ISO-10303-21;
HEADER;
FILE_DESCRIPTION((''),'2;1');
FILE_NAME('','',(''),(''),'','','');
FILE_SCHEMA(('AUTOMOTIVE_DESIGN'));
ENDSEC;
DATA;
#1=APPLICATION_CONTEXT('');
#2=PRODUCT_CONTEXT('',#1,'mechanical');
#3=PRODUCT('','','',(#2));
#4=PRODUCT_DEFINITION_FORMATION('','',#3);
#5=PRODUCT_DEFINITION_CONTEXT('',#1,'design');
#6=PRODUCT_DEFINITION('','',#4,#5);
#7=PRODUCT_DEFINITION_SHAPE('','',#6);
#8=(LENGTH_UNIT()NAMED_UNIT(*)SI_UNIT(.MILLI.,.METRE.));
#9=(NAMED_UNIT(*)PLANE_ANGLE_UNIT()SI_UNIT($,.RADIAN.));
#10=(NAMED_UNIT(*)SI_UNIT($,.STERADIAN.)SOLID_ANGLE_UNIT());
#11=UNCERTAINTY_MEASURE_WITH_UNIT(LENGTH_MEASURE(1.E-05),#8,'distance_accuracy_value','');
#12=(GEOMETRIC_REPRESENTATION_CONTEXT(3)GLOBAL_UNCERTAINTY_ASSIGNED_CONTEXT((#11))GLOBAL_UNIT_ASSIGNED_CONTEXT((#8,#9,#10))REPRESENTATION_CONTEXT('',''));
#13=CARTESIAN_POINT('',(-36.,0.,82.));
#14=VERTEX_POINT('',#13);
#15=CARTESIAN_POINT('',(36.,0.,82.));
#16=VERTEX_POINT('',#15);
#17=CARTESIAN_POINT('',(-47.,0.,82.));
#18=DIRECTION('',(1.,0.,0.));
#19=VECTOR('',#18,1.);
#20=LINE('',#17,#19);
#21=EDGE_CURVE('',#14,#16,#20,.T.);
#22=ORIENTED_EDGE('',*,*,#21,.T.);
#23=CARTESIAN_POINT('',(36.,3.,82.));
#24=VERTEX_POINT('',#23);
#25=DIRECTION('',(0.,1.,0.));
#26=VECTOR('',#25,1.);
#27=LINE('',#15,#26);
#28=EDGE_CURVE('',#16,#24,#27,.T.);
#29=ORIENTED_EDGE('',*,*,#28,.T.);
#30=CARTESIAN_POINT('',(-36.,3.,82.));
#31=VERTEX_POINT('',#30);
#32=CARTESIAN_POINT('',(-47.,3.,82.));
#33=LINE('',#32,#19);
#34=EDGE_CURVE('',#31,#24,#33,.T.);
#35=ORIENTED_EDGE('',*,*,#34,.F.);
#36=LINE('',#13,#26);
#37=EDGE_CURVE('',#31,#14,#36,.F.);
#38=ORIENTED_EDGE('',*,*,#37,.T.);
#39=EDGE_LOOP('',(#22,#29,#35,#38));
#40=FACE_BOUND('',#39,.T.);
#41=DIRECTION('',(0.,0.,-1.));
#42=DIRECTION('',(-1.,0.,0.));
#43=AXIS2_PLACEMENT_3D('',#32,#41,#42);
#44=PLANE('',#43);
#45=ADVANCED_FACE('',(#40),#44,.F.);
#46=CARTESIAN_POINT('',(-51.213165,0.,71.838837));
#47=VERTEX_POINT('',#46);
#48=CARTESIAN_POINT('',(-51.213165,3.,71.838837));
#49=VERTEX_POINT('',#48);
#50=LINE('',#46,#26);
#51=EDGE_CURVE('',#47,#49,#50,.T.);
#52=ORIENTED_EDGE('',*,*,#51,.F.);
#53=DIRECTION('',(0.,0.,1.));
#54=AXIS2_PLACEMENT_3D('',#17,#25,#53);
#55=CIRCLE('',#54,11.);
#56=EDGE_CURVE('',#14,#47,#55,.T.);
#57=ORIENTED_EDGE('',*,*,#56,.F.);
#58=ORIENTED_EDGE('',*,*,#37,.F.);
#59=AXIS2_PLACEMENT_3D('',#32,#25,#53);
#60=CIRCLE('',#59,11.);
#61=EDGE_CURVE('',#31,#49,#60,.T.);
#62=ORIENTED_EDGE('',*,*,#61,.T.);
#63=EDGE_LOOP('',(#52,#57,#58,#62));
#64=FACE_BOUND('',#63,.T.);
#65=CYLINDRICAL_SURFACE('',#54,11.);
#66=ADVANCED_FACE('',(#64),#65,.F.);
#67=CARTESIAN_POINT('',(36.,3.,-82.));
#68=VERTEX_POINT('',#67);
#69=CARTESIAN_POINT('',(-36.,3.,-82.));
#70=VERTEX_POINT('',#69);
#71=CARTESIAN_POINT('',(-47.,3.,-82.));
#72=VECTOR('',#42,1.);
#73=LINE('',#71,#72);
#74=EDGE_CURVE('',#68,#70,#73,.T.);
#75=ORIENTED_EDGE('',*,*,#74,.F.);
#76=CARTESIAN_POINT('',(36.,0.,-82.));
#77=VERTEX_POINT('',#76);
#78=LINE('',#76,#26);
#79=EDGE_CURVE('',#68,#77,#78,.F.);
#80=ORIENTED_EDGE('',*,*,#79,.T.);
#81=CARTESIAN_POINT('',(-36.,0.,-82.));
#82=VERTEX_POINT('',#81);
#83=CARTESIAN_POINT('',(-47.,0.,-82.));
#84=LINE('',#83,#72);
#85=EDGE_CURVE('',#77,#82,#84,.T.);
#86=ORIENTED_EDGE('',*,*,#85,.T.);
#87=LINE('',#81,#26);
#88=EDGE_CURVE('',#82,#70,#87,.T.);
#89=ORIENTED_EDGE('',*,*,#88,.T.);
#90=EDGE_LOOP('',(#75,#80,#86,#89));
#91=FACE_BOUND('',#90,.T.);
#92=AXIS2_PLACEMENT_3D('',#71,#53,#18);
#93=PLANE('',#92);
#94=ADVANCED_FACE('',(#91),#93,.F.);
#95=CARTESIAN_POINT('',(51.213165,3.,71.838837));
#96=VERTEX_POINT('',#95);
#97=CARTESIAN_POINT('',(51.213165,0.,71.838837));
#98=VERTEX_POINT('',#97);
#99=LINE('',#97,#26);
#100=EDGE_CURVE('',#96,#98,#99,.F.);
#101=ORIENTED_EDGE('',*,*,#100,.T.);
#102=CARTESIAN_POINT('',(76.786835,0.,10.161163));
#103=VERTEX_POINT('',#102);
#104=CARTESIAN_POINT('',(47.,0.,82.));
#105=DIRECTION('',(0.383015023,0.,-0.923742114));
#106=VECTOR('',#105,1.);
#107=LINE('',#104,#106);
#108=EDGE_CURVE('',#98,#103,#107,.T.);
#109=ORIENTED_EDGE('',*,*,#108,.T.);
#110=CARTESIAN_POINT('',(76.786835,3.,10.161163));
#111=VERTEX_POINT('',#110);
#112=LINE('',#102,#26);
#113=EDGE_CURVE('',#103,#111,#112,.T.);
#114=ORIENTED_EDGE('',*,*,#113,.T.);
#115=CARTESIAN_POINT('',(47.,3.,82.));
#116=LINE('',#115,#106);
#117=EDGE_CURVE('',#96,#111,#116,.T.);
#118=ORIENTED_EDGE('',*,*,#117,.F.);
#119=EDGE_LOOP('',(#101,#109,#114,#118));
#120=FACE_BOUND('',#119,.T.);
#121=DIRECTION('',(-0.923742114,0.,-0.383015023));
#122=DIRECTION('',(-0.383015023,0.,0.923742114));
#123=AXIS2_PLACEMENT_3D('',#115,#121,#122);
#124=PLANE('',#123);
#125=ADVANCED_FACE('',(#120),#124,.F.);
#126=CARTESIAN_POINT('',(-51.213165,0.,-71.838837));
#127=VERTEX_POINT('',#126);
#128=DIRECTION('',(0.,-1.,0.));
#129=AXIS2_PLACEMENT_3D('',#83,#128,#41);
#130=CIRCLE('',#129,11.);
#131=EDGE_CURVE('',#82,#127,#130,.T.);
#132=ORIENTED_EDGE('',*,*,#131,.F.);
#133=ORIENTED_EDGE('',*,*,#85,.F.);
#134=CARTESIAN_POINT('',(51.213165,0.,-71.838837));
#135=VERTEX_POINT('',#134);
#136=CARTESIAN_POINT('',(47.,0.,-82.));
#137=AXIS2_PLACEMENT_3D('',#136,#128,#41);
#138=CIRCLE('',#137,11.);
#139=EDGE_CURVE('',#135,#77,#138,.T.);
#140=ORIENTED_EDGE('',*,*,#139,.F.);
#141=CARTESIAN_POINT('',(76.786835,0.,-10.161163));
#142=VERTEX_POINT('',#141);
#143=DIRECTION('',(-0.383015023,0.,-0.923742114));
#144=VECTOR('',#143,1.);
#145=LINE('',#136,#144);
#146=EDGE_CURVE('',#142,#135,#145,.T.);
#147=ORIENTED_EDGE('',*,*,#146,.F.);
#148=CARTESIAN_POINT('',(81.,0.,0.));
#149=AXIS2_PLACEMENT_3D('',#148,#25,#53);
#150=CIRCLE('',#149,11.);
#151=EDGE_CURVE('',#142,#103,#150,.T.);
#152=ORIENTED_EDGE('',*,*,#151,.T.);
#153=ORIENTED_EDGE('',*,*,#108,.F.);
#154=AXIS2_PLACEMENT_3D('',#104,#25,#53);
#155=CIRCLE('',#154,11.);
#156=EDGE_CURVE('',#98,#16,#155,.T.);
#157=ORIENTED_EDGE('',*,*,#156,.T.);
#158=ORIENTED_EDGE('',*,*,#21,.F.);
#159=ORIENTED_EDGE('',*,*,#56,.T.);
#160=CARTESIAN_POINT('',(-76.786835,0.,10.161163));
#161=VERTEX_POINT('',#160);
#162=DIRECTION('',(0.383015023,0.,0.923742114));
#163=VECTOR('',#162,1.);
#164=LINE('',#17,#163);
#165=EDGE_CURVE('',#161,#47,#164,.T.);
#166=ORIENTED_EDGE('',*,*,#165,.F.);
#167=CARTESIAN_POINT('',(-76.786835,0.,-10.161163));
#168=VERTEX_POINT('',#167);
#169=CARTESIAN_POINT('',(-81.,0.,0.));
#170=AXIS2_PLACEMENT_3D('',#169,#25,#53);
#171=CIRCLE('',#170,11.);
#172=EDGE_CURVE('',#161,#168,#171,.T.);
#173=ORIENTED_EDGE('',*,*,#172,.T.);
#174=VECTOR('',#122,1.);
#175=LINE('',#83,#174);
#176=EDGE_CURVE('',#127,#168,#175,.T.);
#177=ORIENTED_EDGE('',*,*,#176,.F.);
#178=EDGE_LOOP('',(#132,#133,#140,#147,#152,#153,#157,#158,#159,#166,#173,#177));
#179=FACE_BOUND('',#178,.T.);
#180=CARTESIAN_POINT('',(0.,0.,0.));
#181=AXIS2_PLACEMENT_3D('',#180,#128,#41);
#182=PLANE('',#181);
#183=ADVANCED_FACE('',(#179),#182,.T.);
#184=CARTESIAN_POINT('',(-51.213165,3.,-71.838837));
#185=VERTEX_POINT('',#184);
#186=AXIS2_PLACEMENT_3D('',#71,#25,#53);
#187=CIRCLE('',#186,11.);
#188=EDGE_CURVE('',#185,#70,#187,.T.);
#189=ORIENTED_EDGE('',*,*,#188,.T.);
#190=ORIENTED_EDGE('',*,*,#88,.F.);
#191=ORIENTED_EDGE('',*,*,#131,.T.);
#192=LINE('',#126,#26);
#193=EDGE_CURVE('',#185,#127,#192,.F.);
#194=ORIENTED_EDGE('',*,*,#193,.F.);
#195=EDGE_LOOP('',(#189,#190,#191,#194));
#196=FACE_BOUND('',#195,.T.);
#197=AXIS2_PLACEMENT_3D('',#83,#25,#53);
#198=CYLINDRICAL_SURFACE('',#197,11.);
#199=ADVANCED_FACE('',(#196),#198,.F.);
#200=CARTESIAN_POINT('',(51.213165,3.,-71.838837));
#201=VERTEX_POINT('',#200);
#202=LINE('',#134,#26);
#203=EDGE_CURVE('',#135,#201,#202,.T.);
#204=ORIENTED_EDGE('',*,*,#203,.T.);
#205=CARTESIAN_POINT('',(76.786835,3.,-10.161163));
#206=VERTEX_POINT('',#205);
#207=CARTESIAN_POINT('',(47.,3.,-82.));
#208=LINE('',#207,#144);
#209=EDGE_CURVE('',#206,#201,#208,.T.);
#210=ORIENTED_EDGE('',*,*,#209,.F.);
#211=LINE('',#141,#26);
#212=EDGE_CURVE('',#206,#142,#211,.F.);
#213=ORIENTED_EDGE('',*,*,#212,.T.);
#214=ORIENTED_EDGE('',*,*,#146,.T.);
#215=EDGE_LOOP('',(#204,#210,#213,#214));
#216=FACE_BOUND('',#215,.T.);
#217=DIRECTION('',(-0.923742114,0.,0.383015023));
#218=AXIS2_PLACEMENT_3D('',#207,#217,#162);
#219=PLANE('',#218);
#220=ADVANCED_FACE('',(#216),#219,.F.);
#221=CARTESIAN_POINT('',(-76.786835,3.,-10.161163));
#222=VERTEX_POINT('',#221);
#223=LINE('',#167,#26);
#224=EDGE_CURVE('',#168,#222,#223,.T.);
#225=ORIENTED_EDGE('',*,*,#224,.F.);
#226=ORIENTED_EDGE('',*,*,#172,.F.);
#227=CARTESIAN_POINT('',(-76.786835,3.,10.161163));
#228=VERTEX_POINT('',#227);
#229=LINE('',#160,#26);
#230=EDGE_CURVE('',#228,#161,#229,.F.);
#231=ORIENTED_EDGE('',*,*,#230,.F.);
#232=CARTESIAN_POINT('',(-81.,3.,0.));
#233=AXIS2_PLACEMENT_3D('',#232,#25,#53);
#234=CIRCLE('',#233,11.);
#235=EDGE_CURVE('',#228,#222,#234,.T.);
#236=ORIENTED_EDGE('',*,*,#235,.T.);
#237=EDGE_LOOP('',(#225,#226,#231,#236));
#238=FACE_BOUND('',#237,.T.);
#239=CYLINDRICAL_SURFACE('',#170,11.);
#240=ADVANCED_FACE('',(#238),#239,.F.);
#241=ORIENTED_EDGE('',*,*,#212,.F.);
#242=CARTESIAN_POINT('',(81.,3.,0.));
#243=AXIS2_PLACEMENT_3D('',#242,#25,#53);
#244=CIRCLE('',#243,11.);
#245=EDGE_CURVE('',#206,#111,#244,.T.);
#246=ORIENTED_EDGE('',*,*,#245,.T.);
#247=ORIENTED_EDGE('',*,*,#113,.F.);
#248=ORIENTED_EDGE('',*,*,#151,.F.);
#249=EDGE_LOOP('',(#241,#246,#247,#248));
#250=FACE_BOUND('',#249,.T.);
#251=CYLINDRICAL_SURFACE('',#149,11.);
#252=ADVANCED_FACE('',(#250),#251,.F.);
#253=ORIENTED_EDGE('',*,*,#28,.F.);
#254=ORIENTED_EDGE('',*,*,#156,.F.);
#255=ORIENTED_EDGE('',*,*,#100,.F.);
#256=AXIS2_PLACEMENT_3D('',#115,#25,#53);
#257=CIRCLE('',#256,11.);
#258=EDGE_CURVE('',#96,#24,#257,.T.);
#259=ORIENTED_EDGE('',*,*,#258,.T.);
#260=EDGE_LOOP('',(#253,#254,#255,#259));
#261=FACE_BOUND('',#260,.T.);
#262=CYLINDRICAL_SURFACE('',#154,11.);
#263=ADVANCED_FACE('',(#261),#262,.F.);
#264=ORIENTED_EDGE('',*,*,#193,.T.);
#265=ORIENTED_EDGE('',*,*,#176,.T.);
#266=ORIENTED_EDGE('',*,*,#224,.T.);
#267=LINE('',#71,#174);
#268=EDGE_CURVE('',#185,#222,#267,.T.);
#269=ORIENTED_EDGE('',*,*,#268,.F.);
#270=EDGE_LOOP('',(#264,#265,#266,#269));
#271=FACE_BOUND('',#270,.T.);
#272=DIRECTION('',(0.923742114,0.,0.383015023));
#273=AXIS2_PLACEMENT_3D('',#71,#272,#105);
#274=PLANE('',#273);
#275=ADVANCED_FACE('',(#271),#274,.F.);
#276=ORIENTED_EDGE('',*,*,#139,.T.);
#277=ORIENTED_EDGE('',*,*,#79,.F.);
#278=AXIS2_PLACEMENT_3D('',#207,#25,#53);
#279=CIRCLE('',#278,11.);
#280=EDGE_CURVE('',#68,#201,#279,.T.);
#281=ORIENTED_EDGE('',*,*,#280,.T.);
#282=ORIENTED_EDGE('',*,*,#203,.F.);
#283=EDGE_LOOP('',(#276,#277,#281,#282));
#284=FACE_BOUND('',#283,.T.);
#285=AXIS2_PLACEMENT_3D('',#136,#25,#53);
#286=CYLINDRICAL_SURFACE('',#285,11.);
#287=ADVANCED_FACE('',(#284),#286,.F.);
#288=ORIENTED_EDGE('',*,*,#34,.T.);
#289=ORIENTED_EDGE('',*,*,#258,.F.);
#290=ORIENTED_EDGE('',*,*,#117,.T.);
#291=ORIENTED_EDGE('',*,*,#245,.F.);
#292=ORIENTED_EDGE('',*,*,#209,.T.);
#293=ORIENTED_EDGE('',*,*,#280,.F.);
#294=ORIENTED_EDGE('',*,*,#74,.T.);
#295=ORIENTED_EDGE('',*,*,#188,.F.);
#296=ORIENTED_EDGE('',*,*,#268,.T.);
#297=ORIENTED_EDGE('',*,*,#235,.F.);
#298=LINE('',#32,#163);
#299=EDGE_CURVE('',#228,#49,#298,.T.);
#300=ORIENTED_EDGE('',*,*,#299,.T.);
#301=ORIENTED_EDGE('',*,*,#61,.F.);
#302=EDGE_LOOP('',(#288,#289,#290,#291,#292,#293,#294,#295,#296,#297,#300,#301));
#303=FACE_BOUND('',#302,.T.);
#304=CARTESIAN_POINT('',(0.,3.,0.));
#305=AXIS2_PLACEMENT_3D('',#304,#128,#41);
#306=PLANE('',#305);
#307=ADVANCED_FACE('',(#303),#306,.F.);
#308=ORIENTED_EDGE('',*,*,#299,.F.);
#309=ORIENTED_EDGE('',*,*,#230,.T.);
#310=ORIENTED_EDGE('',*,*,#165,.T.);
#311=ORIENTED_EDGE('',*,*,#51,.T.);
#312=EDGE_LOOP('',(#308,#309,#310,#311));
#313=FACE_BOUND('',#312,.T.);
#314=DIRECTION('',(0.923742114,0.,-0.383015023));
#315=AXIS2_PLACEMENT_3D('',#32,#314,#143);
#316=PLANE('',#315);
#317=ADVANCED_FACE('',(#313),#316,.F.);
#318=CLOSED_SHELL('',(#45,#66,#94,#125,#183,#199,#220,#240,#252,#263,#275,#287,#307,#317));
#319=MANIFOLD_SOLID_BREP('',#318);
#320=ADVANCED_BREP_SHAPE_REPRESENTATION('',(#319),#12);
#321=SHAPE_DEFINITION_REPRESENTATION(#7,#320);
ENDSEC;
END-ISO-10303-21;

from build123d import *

# Parameters (mm, degrees)
EXTRUDE_1_DEPTH     = 3
SKETCH_5_R          = 11
CUT_EXTRUDE_2_DEPTH = 116.299609713


with BuildPart() as part:
    # 草图4 → 凸台-拉伸1 (new body)
    with BuildSketch(Plane(origin=(0, 0, 0), x_dir=(1, 0, 0), z_dir=(0, 1, 0))):
        Polygon((-47, 82), (47, 82), (81, 0), (47, -82), (-47, -82), (-81, 0), align=None)
    extrude(amount=EXTRUDE_1_DEPTH)

    # 草图5 → 切除-拉伸2 (cut, through all)
    with BuildSketch(Plane(origin=(0, 3, 0), x_dir=(1, 0, 0), z_dir=(0, 1, 0))):
        with Locations((-81, 0)):
            Circle(SKETCH_5_R)
        with Locations((81, 0)):
            Circle(SKETCH_5_R)
        with Locations((47, -82)):
            Circle(SKETCH_5_R)
        with Locations((-47, -82)):
            Circle(SKETCH_5_R)
        with Locations((-47, 82)):
            Circle(SKETCH_5_R)
        with Locations((47, 82)):
            Circle(SKETCH_5_R)
    extrude(amount=-CUT_EXTRUDE_2_DEPTH, mode=Mode.SUBTRACT)


solid = part.part
